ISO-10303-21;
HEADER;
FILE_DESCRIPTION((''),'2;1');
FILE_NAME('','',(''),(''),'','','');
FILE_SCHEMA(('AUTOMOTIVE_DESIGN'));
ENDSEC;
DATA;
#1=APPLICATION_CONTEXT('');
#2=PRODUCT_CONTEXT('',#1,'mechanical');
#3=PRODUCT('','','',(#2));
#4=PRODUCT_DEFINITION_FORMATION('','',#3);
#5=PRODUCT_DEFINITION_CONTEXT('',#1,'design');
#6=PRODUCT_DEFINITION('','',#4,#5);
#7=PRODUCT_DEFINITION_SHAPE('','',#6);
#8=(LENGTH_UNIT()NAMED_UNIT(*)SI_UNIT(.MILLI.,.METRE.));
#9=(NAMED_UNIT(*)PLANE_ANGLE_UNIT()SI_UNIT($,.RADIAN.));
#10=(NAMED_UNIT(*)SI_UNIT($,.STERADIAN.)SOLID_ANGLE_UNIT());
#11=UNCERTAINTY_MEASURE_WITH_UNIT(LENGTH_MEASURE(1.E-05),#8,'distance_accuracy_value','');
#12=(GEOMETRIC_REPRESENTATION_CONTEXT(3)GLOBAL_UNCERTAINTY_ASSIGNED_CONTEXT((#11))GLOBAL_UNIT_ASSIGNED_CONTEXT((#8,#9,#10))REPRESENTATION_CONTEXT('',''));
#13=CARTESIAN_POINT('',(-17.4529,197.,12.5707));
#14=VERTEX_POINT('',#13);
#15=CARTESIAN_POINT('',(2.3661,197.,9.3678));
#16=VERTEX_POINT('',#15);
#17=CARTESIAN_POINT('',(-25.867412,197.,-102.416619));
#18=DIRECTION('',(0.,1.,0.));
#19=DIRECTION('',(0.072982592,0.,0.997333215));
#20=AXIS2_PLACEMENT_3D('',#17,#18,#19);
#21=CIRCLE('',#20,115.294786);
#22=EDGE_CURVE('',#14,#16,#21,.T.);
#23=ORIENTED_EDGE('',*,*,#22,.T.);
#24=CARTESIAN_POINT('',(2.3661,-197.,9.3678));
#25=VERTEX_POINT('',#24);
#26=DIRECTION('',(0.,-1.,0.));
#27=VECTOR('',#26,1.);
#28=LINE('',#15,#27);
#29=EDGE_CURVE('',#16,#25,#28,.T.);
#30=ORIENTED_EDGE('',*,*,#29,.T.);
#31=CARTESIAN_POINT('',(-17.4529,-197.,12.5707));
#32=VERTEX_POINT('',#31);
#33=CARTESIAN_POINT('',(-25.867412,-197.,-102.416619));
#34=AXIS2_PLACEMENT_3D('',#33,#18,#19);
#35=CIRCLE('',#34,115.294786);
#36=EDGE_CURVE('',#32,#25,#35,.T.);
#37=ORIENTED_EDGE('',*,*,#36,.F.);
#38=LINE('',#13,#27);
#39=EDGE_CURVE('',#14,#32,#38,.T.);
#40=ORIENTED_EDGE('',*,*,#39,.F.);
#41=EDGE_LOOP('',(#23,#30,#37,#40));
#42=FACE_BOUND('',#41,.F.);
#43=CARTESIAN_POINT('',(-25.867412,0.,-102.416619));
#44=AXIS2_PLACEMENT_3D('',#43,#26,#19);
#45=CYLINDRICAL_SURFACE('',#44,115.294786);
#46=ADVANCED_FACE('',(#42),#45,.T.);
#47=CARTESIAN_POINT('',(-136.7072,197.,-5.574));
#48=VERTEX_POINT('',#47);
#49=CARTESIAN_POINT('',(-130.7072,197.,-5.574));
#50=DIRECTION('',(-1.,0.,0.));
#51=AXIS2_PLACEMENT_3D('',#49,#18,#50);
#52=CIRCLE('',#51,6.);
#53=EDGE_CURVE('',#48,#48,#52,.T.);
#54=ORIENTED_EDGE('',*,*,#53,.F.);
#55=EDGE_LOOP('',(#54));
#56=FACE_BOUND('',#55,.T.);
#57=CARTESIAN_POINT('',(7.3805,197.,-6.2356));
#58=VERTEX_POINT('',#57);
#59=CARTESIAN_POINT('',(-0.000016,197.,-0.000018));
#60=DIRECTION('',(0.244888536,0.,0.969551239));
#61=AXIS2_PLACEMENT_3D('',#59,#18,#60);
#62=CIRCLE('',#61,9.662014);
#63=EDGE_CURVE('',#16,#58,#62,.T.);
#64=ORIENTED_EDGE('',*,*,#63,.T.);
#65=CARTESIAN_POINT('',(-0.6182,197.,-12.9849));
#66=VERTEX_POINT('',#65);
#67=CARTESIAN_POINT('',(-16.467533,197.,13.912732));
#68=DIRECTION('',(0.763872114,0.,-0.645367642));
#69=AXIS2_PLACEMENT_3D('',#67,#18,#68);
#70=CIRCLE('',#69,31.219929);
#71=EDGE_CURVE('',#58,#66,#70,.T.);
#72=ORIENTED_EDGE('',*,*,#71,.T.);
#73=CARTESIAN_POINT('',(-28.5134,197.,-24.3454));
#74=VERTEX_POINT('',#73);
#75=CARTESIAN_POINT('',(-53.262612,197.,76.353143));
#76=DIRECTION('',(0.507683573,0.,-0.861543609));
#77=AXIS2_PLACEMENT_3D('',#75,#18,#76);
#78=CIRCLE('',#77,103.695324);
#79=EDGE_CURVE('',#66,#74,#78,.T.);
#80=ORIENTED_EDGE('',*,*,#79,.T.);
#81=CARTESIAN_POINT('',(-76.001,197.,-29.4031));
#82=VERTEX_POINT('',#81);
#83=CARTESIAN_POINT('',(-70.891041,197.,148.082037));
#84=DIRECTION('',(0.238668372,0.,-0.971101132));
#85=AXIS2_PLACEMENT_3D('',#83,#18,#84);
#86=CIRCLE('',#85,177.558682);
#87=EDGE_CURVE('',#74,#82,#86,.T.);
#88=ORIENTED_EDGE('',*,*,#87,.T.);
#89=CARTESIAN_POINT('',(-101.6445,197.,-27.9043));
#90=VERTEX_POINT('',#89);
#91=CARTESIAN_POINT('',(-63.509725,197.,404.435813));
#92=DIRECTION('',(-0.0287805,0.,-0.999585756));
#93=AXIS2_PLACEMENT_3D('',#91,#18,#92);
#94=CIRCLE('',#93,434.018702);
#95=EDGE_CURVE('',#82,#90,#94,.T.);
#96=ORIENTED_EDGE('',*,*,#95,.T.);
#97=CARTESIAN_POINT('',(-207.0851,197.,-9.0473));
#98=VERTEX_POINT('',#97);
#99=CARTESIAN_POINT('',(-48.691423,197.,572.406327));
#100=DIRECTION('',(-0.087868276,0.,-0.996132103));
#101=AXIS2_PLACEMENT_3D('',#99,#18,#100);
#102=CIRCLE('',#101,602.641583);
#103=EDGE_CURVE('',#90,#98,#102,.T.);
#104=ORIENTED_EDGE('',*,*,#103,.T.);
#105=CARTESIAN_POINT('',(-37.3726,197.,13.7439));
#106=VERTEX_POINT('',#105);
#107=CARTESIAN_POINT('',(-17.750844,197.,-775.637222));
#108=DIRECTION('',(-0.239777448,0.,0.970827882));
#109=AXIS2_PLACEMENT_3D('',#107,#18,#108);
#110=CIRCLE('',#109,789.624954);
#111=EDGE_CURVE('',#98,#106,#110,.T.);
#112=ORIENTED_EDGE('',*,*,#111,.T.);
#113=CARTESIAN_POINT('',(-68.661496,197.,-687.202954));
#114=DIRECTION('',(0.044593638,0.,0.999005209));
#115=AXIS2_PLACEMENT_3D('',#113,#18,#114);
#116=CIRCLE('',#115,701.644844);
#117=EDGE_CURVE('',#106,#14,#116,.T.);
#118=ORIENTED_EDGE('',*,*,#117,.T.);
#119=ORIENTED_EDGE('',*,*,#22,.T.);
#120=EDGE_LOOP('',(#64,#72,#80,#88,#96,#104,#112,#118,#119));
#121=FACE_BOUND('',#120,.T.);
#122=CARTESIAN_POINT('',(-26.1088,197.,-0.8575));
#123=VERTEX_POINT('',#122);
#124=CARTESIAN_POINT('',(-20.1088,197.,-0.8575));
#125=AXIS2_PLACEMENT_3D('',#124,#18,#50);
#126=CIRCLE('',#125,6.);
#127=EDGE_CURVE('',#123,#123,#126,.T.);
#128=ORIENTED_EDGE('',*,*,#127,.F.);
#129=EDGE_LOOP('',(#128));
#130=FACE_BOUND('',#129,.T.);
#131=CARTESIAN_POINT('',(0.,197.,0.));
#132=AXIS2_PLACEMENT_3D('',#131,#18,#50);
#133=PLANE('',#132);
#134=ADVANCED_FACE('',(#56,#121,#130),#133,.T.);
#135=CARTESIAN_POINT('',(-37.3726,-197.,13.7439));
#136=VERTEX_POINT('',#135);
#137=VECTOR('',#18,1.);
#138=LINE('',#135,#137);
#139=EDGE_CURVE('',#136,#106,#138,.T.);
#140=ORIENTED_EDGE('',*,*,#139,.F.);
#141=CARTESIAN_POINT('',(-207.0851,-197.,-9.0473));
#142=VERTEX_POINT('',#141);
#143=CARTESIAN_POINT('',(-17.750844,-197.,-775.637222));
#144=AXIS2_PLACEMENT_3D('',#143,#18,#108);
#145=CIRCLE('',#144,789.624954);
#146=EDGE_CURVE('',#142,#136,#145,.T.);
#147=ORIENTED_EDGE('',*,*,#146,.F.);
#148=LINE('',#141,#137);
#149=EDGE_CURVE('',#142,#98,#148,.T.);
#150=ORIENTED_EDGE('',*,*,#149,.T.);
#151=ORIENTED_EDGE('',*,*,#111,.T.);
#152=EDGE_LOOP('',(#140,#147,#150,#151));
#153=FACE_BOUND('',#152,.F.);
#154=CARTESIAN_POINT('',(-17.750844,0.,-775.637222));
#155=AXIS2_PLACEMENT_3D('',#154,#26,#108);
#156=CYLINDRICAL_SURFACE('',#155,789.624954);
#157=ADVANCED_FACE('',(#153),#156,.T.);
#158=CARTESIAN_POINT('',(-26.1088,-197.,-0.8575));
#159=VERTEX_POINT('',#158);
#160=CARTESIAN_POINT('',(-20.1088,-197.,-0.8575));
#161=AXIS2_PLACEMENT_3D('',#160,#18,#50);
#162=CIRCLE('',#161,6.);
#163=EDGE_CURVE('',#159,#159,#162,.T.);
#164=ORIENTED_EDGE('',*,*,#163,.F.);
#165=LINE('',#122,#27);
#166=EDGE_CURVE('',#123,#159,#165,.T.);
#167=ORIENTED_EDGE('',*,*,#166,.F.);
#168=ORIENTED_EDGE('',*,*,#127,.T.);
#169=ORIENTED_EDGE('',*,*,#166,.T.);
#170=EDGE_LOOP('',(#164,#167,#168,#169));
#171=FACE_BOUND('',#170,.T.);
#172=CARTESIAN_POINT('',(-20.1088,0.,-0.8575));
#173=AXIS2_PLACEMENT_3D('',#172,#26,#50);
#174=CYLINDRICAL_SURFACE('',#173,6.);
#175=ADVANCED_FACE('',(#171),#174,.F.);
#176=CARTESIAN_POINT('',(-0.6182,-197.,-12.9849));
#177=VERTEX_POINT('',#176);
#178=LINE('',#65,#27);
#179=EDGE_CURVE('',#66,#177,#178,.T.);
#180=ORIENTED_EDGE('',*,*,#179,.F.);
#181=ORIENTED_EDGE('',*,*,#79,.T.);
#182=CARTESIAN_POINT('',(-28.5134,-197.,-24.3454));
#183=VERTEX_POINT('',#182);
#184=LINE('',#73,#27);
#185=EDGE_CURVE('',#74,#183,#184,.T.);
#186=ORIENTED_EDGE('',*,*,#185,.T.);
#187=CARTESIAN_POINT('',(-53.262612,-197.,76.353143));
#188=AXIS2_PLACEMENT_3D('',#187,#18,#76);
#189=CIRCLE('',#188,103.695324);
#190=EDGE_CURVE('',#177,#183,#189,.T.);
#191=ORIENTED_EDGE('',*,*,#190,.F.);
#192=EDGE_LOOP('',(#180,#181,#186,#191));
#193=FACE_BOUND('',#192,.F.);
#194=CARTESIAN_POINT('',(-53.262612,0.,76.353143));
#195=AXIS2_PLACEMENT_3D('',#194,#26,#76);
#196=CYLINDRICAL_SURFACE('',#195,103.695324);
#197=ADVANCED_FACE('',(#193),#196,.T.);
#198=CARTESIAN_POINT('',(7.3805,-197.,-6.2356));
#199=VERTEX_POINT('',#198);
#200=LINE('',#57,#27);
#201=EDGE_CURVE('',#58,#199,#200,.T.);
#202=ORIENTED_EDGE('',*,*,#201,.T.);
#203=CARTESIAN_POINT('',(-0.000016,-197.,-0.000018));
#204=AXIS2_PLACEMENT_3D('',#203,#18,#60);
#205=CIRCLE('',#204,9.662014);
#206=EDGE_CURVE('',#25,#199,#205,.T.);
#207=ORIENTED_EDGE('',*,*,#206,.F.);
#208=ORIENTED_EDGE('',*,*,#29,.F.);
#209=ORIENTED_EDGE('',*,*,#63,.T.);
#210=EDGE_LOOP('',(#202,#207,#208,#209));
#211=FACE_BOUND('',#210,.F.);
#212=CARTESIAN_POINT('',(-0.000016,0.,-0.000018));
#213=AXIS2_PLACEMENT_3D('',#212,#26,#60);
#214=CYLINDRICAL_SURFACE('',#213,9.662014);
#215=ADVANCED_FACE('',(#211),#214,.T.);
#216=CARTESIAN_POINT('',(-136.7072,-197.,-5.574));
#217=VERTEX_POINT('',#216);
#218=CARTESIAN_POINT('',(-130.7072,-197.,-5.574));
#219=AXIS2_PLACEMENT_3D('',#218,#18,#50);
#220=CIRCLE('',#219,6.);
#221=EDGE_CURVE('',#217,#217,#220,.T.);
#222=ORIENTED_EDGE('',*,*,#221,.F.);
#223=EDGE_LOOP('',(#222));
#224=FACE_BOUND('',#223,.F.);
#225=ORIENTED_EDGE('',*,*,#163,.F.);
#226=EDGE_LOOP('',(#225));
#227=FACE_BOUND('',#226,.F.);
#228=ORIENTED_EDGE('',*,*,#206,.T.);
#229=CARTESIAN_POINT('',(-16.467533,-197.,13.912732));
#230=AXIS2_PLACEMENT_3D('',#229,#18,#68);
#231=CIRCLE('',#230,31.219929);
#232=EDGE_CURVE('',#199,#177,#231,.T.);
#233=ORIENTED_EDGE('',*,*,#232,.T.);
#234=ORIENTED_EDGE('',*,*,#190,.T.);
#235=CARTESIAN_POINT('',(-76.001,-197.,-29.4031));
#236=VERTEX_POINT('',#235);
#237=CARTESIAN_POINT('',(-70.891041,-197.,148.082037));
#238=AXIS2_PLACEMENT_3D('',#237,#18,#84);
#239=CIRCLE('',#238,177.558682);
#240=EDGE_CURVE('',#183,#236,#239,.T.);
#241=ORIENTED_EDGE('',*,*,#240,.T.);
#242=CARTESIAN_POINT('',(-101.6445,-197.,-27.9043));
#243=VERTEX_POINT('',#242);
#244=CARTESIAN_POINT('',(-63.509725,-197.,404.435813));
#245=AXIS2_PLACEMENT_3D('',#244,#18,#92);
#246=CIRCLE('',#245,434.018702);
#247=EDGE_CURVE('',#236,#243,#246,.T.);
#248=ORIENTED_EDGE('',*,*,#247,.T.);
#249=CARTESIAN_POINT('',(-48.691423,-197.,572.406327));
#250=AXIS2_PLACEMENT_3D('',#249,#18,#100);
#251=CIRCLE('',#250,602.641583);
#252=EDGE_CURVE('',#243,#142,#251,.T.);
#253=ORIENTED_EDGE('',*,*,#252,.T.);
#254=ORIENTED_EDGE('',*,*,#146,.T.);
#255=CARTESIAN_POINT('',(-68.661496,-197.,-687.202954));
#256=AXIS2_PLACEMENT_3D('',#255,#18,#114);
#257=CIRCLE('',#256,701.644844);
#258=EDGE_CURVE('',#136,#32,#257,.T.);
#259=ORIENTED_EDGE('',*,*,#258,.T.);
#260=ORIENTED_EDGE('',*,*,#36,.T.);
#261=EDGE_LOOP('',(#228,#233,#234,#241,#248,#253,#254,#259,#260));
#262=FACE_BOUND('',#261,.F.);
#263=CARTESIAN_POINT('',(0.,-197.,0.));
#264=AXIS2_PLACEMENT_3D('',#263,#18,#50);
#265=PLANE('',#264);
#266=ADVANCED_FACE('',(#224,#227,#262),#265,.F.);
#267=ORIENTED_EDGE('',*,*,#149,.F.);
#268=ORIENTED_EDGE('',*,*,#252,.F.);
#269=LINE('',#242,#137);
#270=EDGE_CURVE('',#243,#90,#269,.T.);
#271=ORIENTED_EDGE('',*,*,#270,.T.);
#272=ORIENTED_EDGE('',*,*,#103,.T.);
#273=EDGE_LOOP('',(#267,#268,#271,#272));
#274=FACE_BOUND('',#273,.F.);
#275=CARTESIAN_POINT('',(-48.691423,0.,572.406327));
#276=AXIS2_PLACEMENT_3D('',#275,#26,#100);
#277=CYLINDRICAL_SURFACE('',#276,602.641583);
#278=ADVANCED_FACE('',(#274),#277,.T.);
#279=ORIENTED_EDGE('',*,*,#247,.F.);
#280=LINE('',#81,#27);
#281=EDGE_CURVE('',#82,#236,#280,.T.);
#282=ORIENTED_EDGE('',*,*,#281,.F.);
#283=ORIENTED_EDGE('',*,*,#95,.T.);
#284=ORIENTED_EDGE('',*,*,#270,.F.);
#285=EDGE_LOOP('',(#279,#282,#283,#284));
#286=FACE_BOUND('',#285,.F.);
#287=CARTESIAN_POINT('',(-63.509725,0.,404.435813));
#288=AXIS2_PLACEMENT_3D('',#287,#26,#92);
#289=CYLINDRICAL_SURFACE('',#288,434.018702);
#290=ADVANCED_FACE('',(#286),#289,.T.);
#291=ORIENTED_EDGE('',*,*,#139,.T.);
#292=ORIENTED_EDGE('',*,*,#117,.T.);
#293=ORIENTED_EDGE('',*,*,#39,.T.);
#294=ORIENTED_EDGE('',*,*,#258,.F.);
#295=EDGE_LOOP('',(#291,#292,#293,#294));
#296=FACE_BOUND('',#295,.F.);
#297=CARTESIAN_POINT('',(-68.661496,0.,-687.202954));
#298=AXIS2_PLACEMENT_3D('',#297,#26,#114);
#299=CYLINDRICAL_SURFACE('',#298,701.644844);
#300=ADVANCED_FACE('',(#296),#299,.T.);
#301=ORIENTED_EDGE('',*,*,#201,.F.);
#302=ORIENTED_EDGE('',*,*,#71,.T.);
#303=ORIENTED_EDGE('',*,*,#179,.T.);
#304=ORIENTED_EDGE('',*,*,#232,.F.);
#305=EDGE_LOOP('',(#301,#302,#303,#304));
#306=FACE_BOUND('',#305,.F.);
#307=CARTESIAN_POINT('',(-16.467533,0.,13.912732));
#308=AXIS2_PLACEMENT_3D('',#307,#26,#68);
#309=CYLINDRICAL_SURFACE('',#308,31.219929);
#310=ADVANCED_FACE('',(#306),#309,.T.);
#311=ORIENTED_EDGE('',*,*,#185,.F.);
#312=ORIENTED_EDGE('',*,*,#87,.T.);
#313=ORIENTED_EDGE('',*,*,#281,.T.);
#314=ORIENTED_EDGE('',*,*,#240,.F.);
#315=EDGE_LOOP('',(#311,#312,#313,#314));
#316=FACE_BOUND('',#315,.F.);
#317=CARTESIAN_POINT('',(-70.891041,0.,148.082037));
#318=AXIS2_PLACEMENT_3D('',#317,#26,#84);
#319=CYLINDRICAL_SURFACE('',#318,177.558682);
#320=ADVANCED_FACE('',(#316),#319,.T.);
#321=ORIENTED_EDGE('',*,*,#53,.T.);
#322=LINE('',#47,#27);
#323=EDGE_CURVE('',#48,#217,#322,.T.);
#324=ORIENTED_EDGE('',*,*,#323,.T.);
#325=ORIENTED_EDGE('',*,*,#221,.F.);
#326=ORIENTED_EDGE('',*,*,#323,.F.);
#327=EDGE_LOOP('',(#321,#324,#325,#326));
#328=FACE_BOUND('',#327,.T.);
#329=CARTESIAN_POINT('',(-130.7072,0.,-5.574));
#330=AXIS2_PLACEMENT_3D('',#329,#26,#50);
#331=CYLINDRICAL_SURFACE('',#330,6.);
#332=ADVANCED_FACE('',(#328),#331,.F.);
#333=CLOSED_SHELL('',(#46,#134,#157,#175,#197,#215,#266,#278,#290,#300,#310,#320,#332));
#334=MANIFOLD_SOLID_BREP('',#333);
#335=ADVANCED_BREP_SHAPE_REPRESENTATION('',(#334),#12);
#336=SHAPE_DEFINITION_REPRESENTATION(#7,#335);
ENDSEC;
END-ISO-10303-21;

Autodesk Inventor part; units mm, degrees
ref_plane "YZ Plane" through (0, 0, 0) normal (1, 0, 0) x (0, 1, 0)
ref_plane "XZ Plane" through (0, 0, 0) normal (0, 1, 0) x (-1, 0, 0)
ref_plane "XY Plane" through (0, 0, 0) normal (0, 0, 1) x (1, 0, 0)
sketch "スケッチ1" plane through (0, 0, 0) normal (0, 1, 0) x (-1, 0, 0)
  arc A0 (101.6445, -27.9043) -> (207.0851, -9.0473) centre (48.6914, 572.4065) ccw projected
  arc A1 (76.001, -29.4031) -> (101.6445, -27.9043) centre (63.5114, 404.3974) ccw projected
  arc A2 (28.5134, -24.3454) -> (76.001, -29.4031) centre (70.891, 148.0818) ccw projected
  arc A3 (0.6182, -12.9849) -> (28.5134, -24.3454) centre (53.2617, 76.3513) ccw projected
  arc A4 (-7.3805, -6.2356) -> (0.6182, -12.9849) centre (16.4695, 13.9147) ccw projected
  arc A5 (-2.3661, 9.3678) -> (-7.3805, -6.2356) centre (0, 0) ccw projected
  arc A6 (17.4529, 12.5707) -> (-2.3661, 9.3678) centre (25.867, -102.4131) ccw projected
  arc A7 (37.3726, 13.7439) -> (17.4529, 12.5707) centre (68.6655, -687.2803) ccw projected
  arc A8 (207.0851, -9.0473) -> (37.3726, 13.7439) centre (17.751, -775.6364) ccw projected
  circle A9 centre (20.1088, -0.8575) radius 6 projected
  circle A10 centre (130.7072, -5.574) radius 6 projected
  point P0 (0, 0)
extrude "押し出し1" add sketch "スケッチ1" along normal mid plane 394
properties part number "center flap"
